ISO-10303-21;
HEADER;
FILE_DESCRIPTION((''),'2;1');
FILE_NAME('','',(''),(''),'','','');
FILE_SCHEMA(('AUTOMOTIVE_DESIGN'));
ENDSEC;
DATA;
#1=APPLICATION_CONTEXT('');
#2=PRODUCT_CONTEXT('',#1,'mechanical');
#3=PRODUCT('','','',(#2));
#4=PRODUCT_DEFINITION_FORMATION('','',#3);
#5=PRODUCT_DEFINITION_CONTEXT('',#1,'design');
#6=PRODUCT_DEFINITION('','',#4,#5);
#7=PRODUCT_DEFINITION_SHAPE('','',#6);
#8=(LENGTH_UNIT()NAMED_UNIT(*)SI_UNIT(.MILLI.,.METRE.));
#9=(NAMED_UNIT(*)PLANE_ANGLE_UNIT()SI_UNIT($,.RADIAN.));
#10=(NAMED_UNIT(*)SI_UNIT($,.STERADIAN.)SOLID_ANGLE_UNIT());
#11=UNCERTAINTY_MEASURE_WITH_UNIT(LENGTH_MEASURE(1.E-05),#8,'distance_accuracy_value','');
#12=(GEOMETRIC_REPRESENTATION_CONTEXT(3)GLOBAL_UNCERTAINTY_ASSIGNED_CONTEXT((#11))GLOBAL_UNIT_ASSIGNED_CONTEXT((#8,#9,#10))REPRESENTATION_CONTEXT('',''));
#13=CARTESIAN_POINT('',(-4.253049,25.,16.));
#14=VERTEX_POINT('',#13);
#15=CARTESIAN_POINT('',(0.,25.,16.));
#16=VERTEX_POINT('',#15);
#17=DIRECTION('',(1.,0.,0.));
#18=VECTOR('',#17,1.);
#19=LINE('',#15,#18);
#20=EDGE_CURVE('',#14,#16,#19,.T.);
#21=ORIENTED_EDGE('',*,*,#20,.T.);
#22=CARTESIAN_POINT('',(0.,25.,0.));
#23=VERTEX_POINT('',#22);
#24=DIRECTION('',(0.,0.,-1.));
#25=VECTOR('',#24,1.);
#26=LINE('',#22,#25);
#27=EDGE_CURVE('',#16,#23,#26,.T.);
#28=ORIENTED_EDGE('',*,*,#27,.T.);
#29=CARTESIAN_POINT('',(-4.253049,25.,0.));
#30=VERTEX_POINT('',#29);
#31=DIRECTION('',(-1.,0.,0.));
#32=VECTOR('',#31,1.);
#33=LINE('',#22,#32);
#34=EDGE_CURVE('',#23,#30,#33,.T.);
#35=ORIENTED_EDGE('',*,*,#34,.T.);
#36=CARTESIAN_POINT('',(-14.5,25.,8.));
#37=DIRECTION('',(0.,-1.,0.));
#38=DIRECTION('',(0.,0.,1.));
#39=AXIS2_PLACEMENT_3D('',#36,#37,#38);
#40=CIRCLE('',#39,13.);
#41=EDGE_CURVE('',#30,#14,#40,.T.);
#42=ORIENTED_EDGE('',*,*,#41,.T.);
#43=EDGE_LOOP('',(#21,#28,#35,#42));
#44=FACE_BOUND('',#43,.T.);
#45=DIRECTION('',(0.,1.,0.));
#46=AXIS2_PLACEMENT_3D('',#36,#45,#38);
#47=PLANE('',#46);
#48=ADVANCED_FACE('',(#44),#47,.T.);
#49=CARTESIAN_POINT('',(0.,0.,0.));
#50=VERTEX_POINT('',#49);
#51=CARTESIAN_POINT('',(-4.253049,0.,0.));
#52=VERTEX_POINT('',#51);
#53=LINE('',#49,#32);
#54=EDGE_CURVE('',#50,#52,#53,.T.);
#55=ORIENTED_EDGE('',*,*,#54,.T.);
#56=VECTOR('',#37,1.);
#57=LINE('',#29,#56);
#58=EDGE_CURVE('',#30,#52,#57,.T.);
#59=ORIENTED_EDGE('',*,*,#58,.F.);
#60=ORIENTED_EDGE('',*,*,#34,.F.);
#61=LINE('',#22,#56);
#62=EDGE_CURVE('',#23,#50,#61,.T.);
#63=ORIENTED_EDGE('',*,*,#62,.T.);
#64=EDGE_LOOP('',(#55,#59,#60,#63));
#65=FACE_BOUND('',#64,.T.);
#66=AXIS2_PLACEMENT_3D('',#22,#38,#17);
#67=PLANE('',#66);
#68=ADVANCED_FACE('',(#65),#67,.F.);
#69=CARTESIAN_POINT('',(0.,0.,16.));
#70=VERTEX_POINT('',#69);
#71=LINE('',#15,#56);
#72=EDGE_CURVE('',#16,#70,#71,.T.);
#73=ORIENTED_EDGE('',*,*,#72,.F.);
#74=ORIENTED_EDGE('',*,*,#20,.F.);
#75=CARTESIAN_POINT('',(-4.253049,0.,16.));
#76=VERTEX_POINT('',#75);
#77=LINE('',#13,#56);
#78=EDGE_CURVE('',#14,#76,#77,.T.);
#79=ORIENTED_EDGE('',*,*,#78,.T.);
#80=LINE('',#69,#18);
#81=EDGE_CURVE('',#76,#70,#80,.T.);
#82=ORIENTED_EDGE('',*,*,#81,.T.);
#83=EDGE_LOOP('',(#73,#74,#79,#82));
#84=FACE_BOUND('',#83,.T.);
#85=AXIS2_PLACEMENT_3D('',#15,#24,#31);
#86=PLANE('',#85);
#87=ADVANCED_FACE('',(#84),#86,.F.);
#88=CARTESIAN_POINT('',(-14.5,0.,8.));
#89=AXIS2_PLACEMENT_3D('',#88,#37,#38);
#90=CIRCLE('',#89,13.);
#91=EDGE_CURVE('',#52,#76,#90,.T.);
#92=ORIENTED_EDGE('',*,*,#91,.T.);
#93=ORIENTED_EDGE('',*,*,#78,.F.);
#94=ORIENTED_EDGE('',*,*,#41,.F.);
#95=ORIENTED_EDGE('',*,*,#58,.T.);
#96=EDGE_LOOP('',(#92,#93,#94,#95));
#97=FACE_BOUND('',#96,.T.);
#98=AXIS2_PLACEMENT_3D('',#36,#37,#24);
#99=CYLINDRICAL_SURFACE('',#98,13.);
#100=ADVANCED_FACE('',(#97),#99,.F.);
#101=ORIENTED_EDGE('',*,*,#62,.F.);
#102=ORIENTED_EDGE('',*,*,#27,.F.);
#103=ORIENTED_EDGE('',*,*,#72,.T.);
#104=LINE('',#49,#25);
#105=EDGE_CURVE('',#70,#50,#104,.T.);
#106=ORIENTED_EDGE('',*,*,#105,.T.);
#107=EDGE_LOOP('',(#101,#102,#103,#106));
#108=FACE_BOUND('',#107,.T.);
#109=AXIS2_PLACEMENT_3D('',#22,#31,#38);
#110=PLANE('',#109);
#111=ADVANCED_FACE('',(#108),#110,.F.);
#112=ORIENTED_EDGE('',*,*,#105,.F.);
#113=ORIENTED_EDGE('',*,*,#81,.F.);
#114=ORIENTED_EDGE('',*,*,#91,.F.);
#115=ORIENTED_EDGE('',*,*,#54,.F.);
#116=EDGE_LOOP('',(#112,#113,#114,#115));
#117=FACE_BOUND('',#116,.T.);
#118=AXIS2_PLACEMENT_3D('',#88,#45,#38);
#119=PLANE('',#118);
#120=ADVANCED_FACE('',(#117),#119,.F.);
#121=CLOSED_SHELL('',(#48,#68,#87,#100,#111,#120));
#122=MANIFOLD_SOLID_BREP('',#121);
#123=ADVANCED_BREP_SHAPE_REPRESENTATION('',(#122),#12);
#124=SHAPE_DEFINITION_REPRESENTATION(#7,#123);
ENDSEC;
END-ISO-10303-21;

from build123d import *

# Parameters (mm, degrees)
EXTRUDE_1_DEPTH = 25


with BuildPart() as part:
    # 草图1 → 凸台-拉伸1 (new body)
    with BuildSketch(Plane(origin=(0, 0, 0), x_dir=(1, 0, 0), z_dir=(0, 1, 0))):
        with BuildLine():
            Line((0, 0), (0, -16))
            Line((0, -16), (-4.253049234, -16))
            ThreePointArc((-4.253049234, -16), (-1.5, -8), (-4.253049234, 0))
            Line((-4.253049234, 0), (0, 0))
        make_face()
    extrude(amount=EXTRUDE_1_DEPTH)


solid = part.part
